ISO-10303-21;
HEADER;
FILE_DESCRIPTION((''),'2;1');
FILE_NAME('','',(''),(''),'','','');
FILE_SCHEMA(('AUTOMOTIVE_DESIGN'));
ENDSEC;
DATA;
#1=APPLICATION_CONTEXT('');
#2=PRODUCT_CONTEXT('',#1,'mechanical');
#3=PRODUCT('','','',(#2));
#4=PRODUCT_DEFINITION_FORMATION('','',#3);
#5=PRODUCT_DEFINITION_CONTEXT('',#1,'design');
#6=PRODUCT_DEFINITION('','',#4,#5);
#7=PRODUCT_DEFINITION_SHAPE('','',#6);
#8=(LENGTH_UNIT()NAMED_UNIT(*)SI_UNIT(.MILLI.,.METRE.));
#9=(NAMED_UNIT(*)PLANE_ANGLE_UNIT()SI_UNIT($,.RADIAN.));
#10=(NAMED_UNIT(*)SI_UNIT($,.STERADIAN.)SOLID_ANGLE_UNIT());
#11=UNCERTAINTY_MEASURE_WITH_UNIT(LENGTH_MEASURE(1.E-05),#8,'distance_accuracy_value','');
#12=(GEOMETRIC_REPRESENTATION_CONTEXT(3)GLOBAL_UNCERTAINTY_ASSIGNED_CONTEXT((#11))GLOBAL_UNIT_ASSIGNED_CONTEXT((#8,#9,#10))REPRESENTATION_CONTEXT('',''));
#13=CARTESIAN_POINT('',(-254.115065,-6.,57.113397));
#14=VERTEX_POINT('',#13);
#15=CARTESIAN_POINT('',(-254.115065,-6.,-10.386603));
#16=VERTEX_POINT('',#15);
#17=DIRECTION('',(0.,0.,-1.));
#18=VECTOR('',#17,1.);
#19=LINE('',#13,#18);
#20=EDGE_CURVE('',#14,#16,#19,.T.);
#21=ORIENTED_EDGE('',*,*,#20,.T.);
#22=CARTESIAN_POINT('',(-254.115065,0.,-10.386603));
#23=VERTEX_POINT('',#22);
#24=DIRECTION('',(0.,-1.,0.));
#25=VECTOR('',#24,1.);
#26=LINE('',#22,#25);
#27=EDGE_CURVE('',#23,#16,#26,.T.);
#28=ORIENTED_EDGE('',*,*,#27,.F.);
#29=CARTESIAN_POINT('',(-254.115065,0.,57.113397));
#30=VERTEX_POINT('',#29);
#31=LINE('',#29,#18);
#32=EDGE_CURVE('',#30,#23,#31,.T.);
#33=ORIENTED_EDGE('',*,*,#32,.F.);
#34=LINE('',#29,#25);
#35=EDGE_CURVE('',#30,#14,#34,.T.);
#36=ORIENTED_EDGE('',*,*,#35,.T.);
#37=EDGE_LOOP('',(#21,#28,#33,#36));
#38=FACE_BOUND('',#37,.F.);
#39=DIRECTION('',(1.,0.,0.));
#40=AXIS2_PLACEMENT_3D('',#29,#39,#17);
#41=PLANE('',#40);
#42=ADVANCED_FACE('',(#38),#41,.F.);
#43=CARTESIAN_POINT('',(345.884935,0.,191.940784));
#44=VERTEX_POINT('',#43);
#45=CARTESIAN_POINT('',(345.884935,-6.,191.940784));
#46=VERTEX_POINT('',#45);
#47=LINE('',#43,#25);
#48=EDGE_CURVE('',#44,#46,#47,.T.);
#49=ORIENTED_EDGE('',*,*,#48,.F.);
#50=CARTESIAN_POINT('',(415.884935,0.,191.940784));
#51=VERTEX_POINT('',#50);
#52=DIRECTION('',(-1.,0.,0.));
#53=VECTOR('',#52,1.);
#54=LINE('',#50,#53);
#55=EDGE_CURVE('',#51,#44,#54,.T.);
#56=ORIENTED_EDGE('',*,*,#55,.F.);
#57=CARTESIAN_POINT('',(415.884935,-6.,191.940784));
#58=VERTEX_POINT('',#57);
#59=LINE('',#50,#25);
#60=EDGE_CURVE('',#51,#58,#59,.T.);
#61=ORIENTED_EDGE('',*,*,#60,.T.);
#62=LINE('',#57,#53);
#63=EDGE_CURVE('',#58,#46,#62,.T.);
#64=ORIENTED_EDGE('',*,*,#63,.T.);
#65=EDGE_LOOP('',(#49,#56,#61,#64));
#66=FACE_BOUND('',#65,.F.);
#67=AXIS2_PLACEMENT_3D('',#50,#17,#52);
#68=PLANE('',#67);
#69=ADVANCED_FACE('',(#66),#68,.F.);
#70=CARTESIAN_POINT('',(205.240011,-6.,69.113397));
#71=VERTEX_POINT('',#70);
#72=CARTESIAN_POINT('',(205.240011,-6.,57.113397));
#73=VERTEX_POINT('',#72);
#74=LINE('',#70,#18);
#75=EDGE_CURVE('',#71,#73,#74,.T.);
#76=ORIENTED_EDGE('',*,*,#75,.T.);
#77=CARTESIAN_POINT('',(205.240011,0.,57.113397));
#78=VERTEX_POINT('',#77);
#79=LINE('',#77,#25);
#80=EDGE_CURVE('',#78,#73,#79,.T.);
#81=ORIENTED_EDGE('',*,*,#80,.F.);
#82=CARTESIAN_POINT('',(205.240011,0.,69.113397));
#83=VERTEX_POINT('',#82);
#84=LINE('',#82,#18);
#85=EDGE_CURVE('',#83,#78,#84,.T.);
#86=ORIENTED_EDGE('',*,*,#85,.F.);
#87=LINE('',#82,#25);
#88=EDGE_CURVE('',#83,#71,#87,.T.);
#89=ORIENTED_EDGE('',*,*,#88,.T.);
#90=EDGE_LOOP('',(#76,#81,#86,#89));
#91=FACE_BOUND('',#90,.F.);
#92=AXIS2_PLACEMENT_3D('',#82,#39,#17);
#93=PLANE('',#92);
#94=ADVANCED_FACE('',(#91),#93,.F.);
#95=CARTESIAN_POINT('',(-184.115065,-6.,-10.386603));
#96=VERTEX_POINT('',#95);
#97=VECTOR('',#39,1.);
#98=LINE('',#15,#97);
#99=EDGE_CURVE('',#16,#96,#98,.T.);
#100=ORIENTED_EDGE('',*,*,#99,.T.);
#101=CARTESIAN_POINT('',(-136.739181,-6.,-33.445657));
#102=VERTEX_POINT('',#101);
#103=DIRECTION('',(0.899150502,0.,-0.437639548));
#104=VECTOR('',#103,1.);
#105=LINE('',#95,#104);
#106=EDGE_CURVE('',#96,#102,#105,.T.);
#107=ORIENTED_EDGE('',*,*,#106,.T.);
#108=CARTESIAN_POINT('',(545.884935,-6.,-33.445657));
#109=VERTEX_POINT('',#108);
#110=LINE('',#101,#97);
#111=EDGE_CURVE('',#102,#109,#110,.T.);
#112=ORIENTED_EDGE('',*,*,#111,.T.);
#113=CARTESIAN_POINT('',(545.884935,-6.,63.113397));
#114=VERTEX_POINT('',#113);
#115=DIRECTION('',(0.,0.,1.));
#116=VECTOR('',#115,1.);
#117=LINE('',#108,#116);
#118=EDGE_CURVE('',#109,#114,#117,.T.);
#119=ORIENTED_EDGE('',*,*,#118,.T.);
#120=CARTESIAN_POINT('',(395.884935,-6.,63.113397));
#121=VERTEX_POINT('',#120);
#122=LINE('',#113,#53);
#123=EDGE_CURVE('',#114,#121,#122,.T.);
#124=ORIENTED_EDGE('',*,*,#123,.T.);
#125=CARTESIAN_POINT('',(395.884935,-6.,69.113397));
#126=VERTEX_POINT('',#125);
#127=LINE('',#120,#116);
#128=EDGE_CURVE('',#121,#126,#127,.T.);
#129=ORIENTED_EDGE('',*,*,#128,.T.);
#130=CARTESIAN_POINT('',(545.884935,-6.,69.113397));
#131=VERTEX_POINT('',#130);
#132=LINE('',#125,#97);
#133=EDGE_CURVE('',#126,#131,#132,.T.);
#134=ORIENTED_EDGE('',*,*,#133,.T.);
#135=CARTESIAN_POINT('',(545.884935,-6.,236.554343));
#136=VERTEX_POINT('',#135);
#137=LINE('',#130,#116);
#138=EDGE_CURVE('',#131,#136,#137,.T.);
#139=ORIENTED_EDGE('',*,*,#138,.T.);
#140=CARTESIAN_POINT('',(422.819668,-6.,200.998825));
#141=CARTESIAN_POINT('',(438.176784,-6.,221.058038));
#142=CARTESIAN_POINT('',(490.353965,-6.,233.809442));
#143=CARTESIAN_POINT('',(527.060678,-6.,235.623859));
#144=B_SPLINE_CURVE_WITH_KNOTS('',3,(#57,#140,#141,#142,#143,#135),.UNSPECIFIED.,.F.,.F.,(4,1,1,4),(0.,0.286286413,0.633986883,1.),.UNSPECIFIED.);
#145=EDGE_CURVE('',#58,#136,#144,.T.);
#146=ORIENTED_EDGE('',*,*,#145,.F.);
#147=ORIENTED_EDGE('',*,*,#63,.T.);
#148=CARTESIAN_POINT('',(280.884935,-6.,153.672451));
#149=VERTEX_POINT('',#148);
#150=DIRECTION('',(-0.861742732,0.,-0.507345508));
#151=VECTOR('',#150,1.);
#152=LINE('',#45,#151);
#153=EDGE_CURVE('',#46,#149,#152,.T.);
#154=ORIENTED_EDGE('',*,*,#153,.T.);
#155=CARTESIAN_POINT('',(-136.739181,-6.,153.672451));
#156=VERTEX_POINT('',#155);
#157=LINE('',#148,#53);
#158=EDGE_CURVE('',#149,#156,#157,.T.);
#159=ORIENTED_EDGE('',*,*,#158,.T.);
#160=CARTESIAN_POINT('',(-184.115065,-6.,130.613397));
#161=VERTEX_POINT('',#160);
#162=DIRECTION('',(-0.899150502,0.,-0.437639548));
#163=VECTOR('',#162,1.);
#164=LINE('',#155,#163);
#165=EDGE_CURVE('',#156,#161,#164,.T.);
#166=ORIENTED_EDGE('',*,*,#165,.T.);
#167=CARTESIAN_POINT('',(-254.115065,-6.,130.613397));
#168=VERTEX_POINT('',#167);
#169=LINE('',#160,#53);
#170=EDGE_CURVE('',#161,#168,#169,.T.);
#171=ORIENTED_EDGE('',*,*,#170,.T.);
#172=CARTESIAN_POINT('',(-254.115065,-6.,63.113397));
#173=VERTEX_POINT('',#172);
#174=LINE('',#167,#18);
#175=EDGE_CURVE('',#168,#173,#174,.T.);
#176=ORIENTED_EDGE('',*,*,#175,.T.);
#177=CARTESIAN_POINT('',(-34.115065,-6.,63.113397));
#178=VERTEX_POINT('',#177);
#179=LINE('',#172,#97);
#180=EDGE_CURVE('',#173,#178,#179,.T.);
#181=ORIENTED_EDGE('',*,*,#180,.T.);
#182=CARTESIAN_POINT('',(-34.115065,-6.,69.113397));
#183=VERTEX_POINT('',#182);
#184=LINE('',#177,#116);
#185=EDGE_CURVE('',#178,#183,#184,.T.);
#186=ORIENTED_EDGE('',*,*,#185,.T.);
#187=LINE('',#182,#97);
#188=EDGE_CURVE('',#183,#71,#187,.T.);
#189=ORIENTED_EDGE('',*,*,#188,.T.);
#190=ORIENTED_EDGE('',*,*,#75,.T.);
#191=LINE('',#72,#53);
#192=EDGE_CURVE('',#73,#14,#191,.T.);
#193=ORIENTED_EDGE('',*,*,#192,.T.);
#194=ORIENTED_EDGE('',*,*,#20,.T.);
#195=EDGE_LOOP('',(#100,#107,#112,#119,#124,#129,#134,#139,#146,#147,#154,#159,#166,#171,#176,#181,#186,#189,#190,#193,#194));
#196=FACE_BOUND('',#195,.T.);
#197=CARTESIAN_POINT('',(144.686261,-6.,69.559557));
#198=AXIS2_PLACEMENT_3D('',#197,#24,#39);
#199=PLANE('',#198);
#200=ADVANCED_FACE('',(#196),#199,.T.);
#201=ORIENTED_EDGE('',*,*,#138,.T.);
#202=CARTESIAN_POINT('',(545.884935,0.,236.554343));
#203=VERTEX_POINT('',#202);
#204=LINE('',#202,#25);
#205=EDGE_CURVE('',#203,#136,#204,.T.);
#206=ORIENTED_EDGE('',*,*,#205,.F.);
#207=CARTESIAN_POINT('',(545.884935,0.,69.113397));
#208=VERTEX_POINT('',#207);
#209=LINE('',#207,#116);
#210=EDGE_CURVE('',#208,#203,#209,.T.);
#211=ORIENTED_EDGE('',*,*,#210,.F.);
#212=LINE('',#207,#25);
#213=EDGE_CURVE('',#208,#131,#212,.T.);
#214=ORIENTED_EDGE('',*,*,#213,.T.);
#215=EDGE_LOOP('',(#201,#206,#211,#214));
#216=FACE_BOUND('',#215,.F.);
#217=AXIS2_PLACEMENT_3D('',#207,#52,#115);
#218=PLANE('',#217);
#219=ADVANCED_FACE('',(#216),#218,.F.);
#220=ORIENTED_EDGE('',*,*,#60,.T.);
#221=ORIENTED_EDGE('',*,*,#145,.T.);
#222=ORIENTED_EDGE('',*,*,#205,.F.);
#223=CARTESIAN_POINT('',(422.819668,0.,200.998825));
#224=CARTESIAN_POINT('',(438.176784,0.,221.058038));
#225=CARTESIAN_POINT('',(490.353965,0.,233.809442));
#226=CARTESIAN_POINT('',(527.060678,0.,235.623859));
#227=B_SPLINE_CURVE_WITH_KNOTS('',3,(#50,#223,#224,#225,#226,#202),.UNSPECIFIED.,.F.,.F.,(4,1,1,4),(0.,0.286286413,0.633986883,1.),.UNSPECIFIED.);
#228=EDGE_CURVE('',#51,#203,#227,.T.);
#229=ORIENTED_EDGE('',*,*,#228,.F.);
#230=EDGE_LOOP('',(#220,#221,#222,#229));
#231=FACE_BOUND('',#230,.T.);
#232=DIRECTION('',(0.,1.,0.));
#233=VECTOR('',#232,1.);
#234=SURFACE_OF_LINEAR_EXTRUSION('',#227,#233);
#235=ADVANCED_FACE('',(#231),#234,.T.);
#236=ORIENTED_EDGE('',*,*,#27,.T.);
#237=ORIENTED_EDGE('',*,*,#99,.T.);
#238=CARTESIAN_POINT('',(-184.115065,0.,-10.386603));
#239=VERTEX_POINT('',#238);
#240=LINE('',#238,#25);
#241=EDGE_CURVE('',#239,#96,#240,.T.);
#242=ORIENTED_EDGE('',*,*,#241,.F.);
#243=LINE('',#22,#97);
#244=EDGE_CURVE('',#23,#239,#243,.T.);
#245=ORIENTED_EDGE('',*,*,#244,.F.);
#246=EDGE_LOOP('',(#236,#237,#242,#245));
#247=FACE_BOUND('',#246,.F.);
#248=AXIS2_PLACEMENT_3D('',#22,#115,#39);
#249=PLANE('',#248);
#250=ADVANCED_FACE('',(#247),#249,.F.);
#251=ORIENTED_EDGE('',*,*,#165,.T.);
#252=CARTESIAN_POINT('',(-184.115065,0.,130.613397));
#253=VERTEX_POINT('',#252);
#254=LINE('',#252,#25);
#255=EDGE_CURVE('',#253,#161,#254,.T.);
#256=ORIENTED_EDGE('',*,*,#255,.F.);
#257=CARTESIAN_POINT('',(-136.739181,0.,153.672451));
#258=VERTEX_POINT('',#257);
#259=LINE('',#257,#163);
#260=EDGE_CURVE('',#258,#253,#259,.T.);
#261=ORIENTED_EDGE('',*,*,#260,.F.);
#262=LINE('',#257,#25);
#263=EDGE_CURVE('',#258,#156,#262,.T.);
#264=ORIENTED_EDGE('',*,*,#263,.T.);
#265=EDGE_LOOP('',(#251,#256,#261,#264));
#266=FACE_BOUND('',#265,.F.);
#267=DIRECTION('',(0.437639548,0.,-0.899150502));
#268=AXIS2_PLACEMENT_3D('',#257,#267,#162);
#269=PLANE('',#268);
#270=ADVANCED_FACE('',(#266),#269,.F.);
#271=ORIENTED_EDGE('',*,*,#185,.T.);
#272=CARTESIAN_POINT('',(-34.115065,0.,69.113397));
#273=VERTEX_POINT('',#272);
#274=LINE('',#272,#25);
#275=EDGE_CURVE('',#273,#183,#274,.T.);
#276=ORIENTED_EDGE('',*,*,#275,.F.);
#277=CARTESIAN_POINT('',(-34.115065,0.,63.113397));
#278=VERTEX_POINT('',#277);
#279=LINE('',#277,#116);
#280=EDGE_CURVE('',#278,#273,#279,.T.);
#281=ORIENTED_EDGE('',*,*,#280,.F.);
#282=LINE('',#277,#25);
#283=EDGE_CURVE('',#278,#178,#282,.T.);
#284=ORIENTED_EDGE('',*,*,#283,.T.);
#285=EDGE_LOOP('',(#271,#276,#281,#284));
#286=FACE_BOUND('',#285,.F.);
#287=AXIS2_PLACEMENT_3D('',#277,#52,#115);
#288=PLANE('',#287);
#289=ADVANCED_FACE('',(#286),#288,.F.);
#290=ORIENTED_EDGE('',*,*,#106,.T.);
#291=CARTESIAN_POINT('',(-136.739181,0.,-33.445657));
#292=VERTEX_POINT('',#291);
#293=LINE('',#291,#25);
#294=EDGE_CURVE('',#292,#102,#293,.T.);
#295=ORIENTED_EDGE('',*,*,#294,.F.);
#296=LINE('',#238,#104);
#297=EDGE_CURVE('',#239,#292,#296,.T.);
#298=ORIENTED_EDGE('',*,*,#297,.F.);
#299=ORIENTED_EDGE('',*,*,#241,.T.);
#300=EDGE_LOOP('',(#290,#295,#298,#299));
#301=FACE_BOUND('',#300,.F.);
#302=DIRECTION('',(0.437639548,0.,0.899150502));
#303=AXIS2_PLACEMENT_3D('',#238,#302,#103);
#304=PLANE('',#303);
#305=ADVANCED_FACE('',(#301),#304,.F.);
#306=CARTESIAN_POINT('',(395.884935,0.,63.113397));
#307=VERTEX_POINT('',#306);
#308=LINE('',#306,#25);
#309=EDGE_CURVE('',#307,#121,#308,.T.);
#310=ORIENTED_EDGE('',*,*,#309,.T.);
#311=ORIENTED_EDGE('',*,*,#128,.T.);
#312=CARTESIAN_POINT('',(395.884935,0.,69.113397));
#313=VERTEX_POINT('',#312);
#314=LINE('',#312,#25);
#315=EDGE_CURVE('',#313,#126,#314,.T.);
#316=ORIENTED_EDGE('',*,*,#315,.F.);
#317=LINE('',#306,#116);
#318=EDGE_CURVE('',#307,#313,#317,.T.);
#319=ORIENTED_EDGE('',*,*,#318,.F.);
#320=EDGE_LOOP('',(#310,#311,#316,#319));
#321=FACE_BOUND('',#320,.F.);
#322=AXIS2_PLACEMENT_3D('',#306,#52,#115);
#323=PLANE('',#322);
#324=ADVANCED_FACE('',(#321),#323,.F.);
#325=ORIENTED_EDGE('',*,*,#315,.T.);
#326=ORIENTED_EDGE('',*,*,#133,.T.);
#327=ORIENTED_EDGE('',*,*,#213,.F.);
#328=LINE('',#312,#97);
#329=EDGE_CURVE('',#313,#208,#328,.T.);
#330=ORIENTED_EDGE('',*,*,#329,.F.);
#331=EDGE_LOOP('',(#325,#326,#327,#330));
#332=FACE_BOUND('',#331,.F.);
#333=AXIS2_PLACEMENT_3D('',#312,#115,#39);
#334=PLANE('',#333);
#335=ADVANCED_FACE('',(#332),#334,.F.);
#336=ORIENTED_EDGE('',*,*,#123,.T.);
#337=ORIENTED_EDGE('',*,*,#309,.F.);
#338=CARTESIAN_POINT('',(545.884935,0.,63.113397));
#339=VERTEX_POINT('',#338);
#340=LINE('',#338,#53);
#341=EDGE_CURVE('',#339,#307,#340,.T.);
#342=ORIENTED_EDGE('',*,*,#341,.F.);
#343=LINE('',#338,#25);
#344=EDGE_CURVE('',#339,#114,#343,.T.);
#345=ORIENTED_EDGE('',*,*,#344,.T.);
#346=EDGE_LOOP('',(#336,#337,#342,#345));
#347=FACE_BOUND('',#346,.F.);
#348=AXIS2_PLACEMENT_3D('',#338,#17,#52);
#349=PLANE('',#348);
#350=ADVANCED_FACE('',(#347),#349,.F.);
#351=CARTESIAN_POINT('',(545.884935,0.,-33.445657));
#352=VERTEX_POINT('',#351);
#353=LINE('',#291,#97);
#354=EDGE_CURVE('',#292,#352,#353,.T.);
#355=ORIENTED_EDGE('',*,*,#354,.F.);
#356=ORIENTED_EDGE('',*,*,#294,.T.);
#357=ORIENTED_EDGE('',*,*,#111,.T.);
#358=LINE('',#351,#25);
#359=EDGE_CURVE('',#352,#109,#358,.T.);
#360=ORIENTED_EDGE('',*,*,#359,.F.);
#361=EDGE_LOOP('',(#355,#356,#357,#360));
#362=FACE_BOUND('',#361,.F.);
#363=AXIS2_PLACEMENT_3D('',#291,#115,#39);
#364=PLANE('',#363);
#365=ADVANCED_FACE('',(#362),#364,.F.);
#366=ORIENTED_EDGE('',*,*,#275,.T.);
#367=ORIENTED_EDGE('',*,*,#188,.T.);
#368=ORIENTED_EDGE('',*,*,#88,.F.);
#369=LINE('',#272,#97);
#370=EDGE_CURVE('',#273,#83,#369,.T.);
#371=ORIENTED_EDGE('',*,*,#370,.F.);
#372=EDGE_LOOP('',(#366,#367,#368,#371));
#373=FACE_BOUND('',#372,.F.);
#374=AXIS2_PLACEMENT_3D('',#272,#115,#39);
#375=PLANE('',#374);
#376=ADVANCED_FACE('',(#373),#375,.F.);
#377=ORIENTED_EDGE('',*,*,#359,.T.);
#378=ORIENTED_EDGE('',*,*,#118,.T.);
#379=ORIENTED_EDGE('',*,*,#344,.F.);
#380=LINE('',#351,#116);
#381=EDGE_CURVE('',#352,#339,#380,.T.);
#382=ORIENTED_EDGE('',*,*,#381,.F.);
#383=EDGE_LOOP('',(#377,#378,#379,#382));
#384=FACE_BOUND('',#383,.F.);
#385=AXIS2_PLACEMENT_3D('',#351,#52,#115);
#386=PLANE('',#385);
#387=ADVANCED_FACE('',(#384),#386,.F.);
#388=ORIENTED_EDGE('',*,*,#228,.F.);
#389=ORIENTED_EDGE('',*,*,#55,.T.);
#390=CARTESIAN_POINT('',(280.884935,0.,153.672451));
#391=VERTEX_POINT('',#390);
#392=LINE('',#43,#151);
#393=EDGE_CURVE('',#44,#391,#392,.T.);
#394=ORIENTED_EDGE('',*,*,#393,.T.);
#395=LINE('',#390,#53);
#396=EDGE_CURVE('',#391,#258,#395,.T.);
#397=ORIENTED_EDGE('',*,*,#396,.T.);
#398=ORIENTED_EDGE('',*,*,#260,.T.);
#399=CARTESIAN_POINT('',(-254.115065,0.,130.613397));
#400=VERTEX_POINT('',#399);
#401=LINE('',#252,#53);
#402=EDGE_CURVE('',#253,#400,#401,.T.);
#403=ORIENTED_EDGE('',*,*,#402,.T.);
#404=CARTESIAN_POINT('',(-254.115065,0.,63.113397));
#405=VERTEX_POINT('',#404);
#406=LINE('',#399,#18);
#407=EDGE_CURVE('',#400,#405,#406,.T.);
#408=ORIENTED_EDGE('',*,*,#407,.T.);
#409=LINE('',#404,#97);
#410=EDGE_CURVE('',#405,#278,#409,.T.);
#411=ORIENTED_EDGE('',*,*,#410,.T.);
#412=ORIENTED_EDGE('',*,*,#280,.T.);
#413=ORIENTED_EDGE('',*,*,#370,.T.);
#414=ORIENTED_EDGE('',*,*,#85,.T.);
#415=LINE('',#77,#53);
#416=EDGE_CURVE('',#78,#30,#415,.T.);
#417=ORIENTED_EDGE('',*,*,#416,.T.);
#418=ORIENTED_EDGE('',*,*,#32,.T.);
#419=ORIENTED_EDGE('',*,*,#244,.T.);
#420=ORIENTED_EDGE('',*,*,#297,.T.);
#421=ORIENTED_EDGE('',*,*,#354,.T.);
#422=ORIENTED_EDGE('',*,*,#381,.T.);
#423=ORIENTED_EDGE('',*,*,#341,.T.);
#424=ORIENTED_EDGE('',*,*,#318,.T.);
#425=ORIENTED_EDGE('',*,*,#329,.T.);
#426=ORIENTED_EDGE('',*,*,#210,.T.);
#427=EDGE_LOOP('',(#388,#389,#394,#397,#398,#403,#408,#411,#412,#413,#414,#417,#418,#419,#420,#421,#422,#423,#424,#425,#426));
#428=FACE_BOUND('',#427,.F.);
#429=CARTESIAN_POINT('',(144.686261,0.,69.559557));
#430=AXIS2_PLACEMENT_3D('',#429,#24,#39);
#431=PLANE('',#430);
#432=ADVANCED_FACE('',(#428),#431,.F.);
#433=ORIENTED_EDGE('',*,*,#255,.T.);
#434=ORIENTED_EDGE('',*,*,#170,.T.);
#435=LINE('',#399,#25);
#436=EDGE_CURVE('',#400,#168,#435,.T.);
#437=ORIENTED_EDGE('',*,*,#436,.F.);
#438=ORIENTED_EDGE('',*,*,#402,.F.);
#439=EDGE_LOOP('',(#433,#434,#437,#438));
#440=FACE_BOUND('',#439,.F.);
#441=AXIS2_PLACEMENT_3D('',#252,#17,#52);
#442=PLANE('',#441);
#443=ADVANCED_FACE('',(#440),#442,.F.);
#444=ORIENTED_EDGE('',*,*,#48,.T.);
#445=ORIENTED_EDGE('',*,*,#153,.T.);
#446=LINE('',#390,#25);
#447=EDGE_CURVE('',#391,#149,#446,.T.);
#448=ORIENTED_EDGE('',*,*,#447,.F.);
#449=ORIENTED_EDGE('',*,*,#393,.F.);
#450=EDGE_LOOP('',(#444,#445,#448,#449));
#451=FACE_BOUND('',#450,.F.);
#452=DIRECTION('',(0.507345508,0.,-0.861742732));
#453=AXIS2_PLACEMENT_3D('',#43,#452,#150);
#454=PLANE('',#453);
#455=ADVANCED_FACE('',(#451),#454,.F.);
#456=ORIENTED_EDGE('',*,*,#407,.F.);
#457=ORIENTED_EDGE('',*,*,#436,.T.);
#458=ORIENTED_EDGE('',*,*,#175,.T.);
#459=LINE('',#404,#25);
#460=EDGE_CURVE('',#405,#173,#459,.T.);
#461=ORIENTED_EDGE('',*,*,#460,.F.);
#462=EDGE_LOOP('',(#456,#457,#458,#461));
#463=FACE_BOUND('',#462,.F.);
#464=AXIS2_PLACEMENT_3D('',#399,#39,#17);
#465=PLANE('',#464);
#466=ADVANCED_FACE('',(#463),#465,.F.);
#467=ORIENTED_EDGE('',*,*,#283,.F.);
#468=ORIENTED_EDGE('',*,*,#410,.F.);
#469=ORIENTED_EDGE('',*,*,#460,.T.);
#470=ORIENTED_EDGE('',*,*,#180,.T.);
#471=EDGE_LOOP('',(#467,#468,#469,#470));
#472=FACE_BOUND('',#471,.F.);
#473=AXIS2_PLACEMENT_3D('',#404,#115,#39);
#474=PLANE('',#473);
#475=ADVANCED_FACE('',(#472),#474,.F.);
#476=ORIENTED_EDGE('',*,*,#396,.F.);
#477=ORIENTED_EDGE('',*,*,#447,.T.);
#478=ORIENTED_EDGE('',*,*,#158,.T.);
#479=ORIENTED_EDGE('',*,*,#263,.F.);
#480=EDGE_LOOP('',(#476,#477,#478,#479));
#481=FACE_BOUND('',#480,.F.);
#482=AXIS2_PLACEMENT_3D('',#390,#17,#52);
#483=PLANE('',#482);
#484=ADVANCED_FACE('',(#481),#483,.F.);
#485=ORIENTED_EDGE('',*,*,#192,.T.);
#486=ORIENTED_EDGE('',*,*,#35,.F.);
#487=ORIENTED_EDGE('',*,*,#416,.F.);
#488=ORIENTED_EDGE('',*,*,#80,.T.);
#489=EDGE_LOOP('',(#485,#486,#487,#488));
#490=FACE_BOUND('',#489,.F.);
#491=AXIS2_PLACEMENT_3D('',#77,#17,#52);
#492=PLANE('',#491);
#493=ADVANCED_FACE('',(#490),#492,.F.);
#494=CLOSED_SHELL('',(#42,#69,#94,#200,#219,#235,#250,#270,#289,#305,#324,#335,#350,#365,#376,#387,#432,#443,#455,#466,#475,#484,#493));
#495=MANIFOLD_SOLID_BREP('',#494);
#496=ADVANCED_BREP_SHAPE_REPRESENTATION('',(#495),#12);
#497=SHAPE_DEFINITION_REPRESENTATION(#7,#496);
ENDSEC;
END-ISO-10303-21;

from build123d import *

# Parameters (mm, degrees)
F1_DEPTH = 6


with BuildPart() as f1:
    # F0 (on Front) → F1 (new body)
    with BuildSketch(Plane.XZ):
        with BuildLine():
            Line((-254.1150648835, 130.6133969236), (-254.1150648835, 63.1133969236))
            Line((-254.1150648835, 63.1133969236), (-34.1150648835, 63.1133969236))
            Line((-34.1150648835, 63.1133969236), (-34.1150648835, 69.1133969236))
            Line((-34.1150648835, 69.1133969236), (205.2400112152, 69.1133969236))
            Line((205.2400112152, 69.1133969236), (205.2400112152, 57.1133969236))
            Line((205.2400112152, 57.1133969236), (-254.1150648835, 57.1133969236))
            Line((-254.1150648835, 57.1133969236), (-254.1150648835, -10.3866030764))
            Line((-254.1150648835, -10.3866030764), (-184.1150648835, -10.3866030764))
            Line((-184.1150648835, -10.3866030764), (-136.7391813438, -33.4456573698))
            Line((-136.7391813438, -33.4456573698), (545.8849351165, -33.4456573698))
            Line((545.8849351165, -33.4456573698), (545.8849351165, 63.1133969236))
            Line((545.8849351165, 63.1133969236), (395.8849351165, 63.1133969236))
            Line((395.8849351165, 63.1133969236), (395.8849351165, 69.1133969236))
            Line((395.8849351165, 69.1133969236), (545.8849351165, 69.1133969236))
            Line((545.8849351165, 69.1133969236), (545.8849351165, 236.5543426302))
            add(Edge.make_bspline(
                [(415.8849351165, 191.9407844543), (422.8196679016, 200.9988248792), (438.1767844712, 221.0580379695), (490.3539645978, 233.8094416798), (527.0606780439, 235.623858562), (545.8849351165, 236.5543426302)],
                knots=[0, 0, 0, 0, 0.2862864127, 0.6339868832, 1, 1, 1, 1], degree=3))
            Line((415.8849351165, 191.9407844543), (345.8849351165, 191.9407844543))
            Line((345.8849351165, 191.9407844543), (280.8849351165, 153.6724512171))
            Line((280.8849351165, 153.6724512171), (-136.7391813438, 153.6724512171))
            Line((-136.7391813438, 153.6724512171), (-184.1150648835, 130.6133969236))
            Line((-184.1150648835, 130.6133969236), (-254.1150648835, 130.6133969236))
        make_face()
    extrude(amount=F1_DEPTH)


solid = f1.part
